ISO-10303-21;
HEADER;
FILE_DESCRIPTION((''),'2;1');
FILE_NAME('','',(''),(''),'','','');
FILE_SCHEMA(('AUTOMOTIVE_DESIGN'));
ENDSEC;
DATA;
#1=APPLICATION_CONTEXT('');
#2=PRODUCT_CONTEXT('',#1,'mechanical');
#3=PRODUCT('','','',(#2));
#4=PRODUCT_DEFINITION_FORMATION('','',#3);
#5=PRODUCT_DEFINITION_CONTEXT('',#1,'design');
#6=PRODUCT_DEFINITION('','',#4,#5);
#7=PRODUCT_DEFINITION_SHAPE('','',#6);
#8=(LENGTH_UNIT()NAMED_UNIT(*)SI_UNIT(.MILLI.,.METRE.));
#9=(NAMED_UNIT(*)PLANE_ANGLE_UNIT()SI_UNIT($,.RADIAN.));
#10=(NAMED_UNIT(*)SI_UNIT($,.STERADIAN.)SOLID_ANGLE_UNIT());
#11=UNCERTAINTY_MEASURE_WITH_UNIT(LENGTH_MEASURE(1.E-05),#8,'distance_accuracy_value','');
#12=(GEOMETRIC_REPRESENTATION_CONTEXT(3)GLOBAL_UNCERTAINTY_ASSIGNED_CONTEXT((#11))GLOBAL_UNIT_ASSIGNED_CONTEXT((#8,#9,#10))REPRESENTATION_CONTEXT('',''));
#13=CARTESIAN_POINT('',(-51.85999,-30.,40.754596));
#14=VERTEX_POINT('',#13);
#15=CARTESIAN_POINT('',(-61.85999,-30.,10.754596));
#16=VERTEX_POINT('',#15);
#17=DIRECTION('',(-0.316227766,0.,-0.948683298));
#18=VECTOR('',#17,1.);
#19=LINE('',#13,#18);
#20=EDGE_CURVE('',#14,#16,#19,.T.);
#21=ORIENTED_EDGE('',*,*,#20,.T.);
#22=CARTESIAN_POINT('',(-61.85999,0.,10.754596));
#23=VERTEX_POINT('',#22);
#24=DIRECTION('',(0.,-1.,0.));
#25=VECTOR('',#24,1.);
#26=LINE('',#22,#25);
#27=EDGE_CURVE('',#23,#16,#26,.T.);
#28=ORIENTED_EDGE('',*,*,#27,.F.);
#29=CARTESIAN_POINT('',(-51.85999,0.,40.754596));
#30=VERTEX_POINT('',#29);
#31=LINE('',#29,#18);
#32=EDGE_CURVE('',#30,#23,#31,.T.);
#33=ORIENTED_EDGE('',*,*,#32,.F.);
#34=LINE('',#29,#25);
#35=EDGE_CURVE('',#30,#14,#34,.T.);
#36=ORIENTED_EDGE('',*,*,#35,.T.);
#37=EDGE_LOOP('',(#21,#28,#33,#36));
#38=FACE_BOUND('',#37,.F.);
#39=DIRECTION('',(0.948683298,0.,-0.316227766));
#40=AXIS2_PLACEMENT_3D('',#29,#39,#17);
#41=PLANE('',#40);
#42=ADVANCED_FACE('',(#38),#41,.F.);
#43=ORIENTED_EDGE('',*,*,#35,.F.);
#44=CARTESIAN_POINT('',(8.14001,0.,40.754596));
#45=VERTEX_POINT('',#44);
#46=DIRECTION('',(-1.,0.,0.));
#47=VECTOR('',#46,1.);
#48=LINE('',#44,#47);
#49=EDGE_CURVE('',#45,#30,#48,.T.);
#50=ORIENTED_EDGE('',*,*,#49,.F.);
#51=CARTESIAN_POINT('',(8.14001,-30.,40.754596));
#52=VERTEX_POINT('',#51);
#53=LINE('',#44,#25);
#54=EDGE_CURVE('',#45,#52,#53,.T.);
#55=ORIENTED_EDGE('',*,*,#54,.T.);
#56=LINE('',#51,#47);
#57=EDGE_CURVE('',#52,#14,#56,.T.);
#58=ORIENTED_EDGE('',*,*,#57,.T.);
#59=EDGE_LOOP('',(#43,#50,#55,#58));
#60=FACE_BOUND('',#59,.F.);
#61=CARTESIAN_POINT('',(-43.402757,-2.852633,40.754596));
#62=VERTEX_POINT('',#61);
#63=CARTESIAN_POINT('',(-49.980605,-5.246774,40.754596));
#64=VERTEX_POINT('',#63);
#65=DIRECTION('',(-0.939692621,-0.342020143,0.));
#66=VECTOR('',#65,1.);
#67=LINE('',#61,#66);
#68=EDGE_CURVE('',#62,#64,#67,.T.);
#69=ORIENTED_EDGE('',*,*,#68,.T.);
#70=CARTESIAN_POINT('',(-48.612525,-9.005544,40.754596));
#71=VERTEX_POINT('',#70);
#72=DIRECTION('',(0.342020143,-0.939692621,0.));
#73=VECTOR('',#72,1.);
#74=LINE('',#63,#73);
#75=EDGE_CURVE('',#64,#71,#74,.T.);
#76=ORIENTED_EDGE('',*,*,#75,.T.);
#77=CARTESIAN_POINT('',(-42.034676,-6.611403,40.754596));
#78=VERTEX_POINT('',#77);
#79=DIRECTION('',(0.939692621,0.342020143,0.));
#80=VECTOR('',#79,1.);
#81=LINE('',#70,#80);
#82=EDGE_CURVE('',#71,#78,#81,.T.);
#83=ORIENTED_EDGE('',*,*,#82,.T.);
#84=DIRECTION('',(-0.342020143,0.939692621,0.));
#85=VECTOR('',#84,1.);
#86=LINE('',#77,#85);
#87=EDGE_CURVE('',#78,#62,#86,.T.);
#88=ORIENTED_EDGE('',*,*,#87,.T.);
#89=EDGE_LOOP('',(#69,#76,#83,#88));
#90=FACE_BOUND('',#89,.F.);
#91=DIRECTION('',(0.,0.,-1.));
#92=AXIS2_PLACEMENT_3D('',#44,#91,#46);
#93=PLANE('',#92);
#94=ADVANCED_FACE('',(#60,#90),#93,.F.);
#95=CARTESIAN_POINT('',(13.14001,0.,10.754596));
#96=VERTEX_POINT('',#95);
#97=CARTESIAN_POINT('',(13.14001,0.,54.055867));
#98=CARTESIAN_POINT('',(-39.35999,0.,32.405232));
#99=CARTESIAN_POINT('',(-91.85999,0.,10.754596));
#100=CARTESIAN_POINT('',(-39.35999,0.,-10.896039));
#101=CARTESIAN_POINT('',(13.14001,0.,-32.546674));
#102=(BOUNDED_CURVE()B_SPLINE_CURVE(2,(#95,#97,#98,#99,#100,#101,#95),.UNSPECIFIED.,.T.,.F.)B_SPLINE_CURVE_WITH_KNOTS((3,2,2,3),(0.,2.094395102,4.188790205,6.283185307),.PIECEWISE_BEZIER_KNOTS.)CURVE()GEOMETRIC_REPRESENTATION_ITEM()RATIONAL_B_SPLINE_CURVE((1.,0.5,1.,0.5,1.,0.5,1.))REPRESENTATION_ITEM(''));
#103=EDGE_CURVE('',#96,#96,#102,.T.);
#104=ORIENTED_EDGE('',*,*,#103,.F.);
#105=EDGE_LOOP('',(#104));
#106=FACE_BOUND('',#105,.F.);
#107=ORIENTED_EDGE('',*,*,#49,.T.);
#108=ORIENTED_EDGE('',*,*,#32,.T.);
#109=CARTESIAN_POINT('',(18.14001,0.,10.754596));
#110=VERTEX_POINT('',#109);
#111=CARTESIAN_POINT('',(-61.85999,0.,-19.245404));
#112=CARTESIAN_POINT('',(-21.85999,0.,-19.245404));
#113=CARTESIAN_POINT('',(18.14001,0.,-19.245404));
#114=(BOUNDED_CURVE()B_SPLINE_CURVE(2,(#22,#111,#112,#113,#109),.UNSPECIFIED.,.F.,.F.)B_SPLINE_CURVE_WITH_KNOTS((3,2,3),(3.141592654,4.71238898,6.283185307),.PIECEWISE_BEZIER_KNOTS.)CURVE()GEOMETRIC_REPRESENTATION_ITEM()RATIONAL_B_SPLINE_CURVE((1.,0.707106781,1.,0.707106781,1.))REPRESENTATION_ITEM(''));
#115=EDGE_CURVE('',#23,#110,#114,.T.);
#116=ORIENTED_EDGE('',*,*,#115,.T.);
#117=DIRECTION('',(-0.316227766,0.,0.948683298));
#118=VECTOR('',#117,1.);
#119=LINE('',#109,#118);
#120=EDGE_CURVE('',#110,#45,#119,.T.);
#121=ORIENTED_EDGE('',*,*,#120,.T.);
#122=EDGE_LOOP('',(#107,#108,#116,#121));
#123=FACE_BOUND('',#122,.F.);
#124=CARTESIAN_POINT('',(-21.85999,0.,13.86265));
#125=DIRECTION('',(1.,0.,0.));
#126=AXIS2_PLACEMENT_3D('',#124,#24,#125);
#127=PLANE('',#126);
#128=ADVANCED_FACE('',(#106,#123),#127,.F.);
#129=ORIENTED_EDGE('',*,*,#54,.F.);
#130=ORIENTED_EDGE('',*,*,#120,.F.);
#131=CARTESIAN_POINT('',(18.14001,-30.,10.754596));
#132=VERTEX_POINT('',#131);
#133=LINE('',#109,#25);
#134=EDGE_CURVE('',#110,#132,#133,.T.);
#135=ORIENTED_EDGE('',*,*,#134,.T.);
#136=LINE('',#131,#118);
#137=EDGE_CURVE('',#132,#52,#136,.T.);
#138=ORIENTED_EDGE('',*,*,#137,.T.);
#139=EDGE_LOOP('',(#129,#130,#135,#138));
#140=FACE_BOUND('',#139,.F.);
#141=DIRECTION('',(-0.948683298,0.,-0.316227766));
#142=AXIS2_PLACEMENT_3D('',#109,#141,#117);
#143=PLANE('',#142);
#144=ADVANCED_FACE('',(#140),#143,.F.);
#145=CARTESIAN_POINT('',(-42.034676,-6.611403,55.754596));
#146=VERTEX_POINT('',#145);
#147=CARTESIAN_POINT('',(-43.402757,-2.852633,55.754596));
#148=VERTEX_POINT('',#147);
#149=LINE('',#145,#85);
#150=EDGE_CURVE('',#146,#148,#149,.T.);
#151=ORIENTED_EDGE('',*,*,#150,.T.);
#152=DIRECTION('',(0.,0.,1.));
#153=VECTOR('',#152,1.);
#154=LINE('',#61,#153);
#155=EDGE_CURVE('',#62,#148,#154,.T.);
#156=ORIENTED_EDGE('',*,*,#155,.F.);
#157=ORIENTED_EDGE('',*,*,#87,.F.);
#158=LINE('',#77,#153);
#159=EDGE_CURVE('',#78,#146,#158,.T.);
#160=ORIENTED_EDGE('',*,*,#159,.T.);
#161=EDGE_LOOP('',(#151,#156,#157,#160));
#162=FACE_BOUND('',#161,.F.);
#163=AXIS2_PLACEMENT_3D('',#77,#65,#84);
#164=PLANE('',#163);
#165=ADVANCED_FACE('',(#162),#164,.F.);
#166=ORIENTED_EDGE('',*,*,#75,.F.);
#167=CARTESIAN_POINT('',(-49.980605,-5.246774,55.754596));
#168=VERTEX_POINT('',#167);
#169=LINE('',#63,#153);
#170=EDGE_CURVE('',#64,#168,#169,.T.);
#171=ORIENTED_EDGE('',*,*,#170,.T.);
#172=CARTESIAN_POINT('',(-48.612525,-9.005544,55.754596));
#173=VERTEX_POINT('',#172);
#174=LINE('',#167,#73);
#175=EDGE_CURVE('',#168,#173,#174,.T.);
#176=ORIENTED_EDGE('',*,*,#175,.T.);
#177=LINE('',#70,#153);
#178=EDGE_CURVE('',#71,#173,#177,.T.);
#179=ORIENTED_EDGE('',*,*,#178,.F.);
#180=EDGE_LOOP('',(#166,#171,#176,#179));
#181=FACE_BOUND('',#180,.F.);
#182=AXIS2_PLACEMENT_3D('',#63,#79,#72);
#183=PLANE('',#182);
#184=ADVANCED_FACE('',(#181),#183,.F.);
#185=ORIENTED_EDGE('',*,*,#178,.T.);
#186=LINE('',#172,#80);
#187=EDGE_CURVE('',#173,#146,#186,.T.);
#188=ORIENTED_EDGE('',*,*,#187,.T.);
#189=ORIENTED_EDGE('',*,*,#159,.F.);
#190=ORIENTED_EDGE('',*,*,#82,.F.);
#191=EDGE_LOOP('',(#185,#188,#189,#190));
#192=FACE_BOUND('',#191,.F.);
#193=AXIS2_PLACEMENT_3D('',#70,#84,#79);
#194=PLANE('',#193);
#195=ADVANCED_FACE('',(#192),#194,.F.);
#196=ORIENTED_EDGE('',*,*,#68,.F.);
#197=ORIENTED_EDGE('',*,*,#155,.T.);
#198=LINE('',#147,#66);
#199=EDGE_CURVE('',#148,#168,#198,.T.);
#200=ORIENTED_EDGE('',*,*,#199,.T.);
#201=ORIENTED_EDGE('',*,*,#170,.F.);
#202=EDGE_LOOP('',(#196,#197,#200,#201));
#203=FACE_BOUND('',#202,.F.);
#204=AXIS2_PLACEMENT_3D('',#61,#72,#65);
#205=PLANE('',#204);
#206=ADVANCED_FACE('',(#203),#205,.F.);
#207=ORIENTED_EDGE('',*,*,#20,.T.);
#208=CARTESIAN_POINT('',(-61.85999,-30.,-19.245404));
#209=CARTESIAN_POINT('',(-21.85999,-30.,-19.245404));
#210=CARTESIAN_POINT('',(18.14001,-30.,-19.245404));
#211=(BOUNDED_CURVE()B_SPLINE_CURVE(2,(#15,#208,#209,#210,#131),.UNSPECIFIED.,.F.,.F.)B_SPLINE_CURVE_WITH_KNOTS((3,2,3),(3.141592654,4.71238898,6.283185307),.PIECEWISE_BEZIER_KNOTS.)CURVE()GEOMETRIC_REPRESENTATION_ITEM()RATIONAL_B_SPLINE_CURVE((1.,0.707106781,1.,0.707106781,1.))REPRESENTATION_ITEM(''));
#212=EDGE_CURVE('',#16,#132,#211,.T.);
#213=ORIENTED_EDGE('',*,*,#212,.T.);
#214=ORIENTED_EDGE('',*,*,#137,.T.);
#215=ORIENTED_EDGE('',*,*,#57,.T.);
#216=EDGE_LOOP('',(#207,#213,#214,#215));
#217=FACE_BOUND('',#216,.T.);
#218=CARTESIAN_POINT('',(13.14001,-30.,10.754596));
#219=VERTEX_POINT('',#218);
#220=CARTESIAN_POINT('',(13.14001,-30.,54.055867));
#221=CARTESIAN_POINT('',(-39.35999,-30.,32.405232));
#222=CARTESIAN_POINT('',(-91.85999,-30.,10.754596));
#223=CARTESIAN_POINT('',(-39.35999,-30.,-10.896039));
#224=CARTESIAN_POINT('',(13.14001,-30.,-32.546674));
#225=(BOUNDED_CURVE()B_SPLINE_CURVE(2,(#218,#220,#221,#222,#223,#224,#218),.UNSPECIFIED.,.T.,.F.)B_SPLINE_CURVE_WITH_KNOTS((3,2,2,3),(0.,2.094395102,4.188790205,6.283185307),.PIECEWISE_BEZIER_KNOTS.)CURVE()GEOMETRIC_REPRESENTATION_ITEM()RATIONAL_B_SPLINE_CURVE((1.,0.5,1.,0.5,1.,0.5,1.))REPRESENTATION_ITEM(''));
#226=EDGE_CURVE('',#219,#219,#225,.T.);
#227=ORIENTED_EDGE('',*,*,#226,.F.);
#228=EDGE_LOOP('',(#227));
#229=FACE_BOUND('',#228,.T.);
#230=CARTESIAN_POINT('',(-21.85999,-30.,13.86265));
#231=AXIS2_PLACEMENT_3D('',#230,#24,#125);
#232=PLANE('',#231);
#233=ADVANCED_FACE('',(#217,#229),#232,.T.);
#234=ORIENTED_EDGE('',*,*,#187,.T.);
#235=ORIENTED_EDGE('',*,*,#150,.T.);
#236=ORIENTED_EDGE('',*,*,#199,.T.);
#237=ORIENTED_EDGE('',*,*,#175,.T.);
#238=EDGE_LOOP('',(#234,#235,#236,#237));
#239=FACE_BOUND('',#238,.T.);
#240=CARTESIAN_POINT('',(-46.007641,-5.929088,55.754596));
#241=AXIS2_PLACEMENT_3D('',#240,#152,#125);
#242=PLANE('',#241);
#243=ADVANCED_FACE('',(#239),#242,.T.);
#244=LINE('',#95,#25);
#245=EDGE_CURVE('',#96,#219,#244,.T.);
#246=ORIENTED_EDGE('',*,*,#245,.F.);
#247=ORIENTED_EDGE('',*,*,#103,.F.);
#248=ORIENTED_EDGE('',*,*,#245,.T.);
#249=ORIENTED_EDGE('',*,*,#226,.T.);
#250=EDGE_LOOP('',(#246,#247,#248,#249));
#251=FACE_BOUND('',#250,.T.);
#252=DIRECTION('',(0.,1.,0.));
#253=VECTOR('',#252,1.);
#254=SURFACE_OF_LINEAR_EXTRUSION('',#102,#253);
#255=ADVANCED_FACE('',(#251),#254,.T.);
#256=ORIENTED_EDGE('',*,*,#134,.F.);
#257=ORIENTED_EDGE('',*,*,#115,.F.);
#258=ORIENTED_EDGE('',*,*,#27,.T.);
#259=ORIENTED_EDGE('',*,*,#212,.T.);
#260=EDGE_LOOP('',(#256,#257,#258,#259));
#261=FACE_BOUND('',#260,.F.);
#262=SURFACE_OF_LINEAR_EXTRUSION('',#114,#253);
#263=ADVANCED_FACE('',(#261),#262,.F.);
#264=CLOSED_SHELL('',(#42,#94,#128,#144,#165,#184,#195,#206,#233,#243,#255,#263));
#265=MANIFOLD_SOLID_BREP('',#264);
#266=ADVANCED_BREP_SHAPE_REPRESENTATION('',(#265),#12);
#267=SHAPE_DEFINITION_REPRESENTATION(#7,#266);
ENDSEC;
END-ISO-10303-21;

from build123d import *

# Parameters (mm, degrees)
F1_DEPTH = 30
F3_DEPTH = 15


with BuildPart() as f1:
    # F0 (on Front) → F1 (new body)
    with BuildSketch(Plane.XZ):
        with BuildLine():
            Line((-51.8599904329, 40.754596442), (-61.8599904329, 10.754596442))
            add(Edge.make_bspline(
                [(-61.8599904329, 10.754596442), (-61.8599904329, -19.245403558), (-21.8599904329, -19.245403558), (18.1400095671, -19.245403558), (18.1400095671, 10.754596442)],
                knots=[3.1415926536, 3.1415926536, 3.1415926536, 4.7123889804, 4.7123889804, 6.2831853072, 6.2831853072, 6.2831853072], degree=2, weights=[1, 0.7071067812, 1, 0.7071067812, 1]))
            Line((18.1400095671, 10.754596442), (8.1400095671, 40.754596442))
            Line((8.1400095671, 40.754596442), (-21.8599904329, 40.754596442))
            Line((-21.8599904329, 40.754596442), (-51.8599904329, 40.754596442))
        make_face()
        with BuildLine():
            add(Edge.make_bspline(
                [(13.1400095671, 10.754596442), (13.1400095671, 54.0558666312), (-39.3599904329, 32.4052315366), (-91.8599904329, 10.754596442), (-39.3599904329, -10.8960386526), (13.1400095671, -32.5466737472), (13.1400095671, 10.754596442)],
                knots=[0, 0, 0, 2.0943951024, 2.0943951024, 4.1887902048, 4.1887902048, 6.2831853072, 6.2831853072, 6.2831853072], degree=2, weights=[1, 0.5, 1, 0.5, 1, 0.5, 1]))
        make_face(mode=Mode.SUBTRACT)
    extrude(amount=F1_DEPTH)

    # F2 (on face) → F3 (join)
    with BuildSketch(Plane.XY.offset(40.754596442)):
        Polygon((-43.4027568458, -2.8526326708), (-49.9806051913, -5.2467736741), (-48.612524618, -9.0055441572), (-42.0346762725, -6.6114031539), align=None)
    extrude(amount=F3_DEPTH)


solid = f1.part
